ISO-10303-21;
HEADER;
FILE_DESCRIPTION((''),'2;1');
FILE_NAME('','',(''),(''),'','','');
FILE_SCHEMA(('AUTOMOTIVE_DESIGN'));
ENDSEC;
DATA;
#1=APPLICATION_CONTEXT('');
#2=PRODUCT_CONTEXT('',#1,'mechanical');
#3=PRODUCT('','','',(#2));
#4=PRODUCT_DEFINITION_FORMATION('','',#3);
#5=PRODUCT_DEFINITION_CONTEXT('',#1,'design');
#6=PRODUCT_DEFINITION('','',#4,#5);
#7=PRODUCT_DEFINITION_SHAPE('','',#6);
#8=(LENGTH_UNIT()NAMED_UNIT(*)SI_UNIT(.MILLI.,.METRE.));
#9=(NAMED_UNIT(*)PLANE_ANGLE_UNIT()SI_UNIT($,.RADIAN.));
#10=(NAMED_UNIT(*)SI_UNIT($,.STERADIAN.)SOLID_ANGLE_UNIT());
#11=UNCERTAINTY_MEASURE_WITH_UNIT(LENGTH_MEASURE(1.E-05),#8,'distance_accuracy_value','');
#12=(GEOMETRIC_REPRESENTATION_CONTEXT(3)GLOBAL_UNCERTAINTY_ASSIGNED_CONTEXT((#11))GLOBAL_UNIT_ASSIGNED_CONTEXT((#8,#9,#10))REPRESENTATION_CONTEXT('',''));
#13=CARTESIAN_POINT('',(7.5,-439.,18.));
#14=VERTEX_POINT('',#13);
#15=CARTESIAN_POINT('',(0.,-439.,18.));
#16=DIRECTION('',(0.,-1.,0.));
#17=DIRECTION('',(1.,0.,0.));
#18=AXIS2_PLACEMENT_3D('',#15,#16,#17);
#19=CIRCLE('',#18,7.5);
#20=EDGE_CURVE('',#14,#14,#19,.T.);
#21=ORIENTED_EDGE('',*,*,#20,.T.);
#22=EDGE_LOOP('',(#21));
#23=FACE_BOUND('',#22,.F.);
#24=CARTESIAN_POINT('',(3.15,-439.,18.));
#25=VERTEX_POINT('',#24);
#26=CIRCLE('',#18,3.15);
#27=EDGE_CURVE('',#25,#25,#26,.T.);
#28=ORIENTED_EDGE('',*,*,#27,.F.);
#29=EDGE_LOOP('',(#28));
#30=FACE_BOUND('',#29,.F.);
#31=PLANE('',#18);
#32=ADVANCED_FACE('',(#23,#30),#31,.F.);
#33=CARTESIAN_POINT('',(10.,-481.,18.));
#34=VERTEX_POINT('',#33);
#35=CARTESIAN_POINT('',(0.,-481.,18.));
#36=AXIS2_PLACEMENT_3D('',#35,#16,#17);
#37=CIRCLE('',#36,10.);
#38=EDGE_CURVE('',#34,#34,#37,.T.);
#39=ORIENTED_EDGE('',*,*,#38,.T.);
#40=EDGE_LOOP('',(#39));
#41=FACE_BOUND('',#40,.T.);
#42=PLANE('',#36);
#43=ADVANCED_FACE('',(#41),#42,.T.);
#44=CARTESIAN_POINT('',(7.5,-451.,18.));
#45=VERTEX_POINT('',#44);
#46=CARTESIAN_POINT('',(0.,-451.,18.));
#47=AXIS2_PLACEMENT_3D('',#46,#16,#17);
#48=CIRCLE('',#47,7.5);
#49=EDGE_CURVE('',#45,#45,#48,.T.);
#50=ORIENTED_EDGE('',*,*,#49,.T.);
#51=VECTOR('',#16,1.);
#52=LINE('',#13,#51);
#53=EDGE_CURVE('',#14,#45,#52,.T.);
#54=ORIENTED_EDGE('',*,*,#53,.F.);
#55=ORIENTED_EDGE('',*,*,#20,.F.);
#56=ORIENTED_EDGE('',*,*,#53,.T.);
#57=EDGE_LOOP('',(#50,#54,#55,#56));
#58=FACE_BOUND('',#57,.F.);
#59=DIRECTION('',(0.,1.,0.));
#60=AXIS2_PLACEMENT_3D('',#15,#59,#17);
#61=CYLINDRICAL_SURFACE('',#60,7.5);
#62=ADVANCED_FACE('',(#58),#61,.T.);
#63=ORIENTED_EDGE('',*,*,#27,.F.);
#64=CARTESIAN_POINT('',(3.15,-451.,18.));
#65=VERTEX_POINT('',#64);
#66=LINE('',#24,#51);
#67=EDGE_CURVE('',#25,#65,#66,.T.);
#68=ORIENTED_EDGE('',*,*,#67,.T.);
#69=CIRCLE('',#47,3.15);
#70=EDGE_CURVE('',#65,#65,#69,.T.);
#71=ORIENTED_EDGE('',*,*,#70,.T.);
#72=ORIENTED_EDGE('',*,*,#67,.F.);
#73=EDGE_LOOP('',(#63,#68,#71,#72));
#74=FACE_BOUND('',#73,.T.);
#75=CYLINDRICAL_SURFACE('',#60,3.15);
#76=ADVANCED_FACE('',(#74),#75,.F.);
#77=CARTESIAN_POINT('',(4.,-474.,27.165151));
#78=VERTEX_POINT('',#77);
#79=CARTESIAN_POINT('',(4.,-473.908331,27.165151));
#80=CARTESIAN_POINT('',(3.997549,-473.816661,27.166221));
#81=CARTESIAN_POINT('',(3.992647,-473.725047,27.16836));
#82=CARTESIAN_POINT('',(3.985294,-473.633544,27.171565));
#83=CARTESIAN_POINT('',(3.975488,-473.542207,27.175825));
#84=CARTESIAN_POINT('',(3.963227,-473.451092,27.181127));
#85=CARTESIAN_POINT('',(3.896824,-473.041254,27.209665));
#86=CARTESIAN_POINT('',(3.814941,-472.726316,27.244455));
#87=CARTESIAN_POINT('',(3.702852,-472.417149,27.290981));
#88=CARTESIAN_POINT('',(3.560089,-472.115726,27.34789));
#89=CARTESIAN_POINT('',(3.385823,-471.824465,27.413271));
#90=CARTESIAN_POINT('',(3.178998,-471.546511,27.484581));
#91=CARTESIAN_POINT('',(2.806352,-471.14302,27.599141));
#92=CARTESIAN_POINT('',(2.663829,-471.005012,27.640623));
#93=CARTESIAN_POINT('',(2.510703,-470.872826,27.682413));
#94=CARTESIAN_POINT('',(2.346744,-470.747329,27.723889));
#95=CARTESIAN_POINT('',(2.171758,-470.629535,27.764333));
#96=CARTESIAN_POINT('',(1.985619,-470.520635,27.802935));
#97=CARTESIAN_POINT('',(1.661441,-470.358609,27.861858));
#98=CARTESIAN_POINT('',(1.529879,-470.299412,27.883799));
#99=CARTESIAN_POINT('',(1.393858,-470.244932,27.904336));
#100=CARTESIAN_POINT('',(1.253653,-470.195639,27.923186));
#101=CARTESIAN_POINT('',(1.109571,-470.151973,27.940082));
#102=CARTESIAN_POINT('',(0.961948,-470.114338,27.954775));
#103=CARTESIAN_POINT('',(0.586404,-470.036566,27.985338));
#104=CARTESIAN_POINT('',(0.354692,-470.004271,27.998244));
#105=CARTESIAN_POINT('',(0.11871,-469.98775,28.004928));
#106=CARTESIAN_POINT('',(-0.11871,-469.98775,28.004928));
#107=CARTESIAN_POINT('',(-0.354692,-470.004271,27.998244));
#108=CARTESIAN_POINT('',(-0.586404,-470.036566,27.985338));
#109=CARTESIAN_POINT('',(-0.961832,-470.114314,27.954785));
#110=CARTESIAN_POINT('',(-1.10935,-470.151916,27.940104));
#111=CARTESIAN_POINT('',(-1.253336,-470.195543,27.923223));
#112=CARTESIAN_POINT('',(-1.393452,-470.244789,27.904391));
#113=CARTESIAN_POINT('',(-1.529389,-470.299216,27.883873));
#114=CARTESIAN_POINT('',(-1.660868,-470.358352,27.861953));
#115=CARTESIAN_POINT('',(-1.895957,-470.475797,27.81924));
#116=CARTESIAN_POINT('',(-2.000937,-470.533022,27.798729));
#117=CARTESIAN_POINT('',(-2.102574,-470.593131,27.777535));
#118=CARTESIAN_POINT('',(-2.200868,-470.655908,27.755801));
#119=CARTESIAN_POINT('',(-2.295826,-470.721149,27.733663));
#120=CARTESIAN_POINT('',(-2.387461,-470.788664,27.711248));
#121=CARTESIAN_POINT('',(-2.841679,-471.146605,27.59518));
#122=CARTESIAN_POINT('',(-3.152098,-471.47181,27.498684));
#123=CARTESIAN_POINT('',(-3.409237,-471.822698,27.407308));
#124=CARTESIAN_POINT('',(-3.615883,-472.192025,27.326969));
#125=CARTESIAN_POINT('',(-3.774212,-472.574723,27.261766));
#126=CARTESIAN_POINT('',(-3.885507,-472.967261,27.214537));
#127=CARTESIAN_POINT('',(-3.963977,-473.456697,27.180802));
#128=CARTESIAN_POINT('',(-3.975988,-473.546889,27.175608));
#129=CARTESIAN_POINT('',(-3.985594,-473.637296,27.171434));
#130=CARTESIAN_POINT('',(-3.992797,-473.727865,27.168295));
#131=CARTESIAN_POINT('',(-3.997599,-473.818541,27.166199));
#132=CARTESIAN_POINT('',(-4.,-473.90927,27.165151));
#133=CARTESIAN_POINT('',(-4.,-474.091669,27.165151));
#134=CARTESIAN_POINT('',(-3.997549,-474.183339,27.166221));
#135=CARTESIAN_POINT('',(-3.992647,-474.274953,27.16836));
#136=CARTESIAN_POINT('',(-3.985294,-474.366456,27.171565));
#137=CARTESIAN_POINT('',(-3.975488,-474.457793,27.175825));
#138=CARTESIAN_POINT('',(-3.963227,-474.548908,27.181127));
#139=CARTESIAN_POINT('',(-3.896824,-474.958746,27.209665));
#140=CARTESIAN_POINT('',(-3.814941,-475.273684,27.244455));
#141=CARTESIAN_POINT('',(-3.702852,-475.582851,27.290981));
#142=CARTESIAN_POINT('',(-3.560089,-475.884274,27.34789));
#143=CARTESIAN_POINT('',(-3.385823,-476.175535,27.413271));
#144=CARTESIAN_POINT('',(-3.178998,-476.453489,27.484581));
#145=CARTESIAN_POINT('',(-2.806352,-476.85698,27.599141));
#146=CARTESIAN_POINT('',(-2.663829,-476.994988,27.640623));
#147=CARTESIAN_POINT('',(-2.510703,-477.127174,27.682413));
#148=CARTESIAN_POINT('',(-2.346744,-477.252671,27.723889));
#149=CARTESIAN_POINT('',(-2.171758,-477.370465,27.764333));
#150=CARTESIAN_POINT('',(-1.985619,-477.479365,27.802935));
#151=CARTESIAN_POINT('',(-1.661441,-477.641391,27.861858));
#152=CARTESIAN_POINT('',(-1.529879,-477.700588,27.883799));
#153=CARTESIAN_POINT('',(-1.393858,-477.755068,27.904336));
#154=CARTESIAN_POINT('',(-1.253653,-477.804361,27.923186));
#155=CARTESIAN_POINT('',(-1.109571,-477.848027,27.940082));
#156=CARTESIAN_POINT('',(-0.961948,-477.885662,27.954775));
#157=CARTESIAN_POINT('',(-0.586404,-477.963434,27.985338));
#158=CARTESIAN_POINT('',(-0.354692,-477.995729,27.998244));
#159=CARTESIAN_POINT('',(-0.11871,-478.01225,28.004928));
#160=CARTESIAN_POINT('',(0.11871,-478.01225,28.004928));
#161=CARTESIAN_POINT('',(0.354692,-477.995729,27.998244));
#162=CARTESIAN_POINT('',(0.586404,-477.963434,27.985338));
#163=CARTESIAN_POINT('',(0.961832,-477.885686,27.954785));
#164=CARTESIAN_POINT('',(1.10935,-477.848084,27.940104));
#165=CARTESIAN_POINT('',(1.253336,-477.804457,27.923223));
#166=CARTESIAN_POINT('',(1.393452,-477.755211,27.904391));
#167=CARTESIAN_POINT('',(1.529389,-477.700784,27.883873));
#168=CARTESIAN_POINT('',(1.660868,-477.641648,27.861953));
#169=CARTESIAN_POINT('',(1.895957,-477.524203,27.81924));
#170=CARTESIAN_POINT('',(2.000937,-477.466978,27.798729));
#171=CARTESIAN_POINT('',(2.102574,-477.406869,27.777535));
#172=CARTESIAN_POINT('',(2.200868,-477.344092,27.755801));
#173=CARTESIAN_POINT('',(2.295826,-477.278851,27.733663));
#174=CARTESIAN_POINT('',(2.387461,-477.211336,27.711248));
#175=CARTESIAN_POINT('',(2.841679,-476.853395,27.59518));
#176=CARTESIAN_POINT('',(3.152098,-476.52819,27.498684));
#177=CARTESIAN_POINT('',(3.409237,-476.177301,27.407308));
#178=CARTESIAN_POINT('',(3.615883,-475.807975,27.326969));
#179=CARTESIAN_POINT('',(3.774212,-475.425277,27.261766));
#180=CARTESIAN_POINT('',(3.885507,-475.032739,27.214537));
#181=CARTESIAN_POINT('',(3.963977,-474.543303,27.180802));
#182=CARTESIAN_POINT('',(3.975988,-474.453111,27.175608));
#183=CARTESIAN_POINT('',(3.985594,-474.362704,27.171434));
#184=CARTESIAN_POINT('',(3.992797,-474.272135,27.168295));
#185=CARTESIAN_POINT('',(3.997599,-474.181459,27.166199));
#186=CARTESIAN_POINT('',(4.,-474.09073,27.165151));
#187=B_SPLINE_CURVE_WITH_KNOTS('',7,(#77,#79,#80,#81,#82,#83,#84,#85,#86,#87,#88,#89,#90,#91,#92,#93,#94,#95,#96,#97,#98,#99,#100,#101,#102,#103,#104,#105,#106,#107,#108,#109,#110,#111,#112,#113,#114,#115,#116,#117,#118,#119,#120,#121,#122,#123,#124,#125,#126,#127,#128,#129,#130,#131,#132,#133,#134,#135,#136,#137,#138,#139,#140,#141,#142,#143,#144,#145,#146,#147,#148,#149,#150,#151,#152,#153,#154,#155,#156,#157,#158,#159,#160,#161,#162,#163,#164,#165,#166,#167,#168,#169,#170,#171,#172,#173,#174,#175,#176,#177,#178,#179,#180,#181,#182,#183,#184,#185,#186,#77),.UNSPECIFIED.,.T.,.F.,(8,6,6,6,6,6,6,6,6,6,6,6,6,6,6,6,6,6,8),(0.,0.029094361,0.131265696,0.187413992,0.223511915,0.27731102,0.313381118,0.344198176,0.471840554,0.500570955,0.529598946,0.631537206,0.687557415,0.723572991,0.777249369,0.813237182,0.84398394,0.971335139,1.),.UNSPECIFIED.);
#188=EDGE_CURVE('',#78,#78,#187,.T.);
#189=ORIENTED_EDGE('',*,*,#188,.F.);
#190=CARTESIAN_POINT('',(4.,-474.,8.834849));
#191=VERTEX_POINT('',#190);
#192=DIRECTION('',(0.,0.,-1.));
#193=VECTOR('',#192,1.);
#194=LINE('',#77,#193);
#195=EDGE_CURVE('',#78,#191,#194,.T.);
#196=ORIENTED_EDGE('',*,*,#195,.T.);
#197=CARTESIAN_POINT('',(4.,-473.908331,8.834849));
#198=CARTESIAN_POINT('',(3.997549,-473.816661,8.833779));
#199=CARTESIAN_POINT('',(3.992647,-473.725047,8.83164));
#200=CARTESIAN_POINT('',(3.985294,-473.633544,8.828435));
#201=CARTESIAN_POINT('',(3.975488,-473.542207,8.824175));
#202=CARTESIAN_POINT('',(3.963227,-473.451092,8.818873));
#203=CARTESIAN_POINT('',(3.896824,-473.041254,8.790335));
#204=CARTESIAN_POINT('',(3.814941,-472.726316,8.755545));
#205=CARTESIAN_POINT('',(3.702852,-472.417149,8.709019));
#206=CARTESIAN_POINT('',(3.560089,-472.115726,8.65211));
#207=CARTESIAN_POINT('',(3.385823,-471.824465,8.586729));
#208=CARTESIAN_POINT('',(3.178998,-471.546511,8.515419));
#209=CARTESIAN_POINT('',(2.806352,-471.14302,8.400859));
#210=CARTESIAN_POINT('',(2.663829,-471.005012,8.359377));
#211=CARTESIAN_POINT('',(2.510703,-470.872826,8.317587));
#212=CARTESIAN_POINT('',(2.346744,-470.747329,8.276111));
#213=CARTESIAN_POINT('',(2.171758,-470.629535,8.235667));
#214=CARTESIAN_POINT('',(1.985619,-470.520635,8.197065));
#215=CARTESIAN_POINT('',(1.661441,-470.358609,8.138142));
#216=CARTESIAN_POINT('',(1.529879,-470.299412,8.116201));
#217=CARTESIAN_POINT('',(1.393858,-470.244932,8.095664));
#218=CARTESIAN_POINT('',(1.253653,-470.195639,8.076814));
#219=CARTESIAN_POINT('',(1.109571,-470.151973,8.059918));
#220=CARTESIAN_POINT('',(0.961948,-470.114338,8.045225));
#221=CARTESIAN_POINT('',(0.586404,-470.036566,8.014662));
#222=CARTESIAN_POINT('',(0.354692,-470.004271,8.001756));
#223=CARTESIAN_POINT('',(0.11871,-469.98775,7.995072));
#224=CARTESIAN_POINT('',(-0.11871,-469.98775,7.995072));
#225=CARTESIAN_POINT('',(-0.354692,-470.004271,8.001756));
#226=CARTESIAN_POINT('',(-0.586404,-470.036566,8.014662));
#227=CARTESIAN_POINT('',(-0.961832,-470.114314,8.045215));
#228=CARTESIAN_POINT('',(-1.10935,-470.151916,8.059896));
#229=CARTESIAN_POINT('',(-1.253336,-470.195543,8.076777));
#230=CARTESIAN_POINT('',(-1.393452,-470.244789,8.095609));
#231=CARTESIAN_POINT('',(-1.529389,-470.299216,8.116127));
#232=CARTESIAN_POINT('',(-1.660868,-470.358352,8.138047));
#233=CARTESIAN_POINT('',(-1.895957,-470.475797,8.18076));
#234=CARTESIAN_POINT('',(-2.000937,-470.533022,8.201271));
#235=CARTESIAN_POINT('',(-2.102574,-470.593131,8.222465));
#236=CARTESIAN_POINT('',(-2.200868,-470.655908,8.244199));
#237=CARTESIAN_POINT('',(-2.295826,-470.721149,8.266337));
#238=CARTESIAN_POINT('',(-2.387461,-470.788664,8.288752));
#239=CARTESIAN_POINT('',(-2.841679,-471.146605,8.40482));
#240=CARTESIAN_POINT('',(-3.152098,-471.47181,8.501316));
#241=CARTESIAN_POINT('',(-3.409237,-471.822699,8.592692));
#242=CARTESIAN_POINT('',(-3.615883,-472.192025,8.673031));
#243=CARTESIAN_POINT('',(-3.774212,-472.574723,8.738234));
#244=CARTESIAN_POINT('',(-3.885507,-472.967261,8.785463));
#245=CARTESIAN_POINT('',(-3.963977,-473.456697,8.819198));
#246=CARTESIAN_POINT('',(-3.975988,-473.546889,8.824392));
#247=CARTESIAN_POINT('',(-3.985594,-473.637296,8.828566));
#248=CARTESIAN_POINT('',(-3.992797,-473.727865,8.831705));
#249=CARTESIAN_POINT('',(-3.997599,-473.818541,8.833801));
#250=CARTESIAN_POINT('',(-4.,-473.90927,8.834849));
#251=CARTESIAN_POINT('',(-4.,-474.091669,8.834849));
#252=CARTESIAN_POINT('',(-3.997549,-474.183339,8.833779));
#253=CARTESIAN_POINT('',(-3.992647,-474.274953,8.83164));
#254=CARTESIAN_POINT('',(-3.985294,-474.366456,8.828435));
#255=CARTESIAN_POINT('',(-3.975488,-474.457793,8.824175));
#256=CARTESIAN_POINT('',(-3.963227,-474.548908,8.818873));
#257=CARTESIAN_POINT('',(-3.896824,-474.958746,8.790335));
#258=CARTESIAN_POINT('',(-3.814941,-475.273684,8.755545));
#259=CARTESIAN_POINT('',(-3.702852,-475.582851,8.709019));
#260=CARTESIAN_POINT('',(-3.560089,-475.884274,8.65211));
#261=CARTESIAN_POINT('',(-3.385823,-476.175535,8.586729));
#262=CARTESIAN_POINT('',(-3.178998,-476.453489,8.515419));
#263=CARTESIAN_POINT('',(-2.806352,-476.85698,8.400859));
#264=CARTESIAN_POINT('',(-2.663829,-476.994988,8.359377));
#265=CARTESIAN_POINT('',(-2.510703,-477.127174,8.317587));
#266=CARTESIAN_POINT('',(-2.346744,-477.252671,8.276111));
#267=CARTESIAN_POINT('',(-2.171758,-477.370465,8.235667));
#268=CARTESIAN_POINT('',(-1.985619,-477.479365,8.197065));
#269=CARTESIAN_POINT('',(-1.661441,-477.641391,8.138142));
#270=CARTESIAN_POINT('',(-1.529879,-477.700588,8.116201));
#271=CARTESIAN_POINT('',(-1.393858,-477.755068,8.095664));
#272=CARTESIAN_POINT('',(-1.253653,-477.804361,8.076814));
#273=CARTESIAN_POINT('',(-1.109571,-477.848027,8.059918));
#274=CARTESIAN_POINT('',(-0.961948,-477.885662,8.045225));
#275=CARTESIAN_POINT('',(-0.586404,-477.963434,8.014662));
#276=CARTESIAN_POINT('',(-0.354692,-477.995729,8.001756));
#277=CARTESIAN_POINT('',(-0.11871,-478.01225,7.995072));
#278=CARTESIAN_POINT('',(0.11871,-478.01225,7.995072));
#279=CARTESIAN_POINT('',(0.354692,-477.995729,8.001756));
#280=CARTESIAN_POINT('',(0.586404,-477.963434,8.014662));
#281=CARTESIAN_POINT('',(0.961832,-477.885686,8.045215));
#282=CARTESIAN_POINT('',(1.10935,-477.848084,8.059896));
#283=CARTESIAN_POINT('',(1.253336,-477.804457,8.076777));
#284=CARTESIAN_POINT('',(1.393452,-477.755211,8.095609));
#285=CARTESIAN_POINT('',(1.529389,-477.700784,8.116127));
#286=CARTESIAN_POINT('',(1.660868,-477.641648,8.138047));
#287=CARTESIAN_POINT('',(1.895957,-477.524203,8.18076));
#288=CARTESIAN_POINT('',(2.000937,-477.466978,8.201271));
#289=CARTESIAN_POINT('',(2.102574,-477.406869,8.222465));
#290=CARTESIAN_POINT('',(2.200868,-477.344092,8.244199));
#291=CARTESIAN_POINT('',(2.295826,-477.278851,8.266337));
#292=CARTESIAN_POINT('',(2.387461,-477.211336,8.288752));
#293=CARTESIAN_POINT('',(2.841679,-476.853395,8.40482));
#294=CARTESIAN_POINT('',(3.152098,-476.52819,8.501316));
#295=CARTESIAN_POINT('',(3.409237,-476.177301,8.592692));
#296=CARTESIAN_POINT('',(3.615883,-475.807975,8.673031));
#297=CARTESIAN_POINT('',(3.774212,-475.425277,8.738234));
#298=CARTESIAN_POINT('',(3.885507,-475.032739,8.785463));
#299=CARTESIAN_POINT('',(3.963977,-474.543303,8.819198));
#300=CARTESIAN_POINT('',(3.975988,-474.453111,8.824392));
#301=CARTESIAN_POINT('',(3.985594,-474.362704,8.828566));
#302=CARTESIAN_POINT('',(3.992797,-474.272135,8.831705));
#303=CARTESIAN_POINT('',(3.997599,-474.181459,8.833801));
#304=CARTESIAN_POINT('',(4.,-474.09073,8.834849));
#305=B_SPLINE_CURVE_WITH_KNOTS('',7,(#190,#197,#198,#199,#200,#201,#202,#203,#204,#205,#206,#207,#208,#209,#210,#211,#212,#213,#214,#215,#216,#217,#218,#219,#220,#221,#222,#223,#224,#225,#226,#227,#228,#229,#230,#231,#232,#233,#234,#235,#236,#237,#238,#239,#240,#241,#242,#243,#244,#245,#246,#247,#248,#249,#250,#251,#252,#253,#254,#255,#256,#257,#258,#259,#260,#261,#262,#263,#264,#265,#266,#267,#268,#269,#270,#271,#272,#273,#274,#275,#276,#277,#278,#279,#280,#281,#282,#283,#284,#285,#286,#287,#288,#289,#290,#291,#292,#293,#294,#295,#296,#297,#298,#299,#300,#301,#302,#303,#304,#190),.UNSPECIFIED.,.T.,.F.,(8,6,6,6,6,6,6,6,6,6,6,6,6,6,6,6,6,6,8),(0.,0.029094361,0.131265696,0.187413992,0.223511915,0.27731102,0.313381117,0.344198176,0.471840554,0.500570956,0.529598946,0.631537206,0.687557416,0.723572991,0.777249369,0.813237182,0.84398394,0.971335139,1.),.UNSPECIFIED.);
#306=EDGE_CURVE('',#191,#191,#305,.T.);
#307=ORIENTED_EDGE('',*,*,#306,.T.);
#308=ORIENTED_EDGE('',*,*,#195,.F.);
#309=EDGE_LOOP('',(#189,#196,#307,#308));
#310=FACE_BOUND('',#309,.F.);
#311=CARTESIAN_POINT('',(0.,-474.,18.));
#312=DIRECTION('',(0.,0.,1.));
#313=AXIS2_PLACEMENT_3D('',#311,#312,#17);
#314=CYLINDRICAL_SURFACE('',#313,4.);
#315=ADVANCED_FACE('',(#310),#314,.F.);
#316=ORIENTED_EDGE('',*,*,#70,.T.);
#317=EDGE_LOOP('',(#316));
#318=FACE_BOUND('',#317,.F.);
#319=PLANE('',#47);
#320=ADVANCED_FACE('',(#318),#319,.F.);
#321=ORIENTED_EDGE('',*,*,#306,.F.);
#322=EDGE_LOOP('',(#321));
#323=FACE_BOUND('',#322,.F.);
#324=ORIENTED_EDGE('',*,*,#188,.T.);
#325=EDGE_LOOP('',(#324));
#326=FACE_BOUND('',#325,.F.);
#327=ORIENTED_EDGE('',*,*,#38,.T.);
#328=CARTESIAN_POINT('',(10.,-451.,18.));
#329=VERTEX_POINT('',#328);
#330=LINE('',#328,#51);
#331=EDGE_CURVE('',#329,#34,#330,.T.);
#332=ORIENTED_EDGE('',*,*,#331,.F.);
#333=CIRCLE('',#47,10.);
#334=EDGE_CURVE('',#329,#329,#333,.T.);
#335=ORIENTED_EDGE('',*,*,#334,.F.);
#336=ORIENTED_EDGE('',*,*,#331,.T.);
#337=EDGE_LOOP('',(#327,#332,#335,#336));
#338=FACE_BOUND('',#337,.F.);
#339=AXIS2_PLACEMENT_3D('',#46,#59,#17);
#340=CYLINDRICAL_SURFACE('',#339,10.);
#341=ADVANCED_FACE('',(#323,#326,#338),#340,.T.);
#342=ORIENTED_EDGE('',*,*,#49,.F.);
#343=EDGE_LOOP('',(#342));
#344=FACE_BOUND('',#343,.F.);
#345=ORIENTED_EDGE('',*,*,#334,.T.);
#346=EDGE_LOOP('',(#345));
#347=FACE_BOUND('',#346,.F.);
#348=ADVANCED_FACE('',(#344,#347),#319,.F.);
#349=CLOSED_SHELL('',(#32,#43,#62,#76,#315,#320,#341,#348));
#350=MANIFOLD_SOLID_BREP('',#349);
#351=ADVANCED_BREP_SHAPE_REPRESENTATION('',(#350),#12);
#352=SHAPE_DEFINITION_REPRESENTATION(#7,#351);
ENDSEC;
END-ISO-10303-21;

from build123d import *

# Parameters (mm, degrees)
SKETCH004_R       = 7.5
SKETCH004_R_2     = 3.15
PAD004_DEPTH      = 12
SKETCH005_R       = 10
PAD005_DEPTH      = 30
SKETCH006_R       = 4
POCKET_DEPTH      = 10.001
POCKET_DEPTH_BACK = 10.001


with BuildPart() as part:
    # Sketch004 → Pad004 (new body)
    with BuildSketch(Plane.XZ):
        Circle(SKETCH004_R)
        Circle(SKETCH004_R_2, mode=Mode.SUBTRACT)
    extrude(amount=PAD004_DEPTH)

    # Sketch005 → Pad005 (join)
    with BuildSketch(Plane.XZ.offset(12)):
        Circle(SKETCH005_R)
    extrude(amount=PAD005_DEPTH)

    # Sketch006 → Pocket (cut, two sides)
    with BuildSketch(Plane(origin=(0, -35, 0), x_dir=(1, 0, 0), z_dir=(0, 0, 1))) as pocket_sk:
        Circle(SKETCH006_R)
    extrude(amount=-POCKET_DEPTH, mode=Mode.SUBTRACT)
    extrude(pocket_sk.sketch, amount=POCKET_DEPTH_BACK, mode=Mode.SUBTRACT)


with BuildPart() as part_1:
    # Body002 placement: moved
    add(part.part.moved(Location((0, -439, 18))))


solid = part_1.part
